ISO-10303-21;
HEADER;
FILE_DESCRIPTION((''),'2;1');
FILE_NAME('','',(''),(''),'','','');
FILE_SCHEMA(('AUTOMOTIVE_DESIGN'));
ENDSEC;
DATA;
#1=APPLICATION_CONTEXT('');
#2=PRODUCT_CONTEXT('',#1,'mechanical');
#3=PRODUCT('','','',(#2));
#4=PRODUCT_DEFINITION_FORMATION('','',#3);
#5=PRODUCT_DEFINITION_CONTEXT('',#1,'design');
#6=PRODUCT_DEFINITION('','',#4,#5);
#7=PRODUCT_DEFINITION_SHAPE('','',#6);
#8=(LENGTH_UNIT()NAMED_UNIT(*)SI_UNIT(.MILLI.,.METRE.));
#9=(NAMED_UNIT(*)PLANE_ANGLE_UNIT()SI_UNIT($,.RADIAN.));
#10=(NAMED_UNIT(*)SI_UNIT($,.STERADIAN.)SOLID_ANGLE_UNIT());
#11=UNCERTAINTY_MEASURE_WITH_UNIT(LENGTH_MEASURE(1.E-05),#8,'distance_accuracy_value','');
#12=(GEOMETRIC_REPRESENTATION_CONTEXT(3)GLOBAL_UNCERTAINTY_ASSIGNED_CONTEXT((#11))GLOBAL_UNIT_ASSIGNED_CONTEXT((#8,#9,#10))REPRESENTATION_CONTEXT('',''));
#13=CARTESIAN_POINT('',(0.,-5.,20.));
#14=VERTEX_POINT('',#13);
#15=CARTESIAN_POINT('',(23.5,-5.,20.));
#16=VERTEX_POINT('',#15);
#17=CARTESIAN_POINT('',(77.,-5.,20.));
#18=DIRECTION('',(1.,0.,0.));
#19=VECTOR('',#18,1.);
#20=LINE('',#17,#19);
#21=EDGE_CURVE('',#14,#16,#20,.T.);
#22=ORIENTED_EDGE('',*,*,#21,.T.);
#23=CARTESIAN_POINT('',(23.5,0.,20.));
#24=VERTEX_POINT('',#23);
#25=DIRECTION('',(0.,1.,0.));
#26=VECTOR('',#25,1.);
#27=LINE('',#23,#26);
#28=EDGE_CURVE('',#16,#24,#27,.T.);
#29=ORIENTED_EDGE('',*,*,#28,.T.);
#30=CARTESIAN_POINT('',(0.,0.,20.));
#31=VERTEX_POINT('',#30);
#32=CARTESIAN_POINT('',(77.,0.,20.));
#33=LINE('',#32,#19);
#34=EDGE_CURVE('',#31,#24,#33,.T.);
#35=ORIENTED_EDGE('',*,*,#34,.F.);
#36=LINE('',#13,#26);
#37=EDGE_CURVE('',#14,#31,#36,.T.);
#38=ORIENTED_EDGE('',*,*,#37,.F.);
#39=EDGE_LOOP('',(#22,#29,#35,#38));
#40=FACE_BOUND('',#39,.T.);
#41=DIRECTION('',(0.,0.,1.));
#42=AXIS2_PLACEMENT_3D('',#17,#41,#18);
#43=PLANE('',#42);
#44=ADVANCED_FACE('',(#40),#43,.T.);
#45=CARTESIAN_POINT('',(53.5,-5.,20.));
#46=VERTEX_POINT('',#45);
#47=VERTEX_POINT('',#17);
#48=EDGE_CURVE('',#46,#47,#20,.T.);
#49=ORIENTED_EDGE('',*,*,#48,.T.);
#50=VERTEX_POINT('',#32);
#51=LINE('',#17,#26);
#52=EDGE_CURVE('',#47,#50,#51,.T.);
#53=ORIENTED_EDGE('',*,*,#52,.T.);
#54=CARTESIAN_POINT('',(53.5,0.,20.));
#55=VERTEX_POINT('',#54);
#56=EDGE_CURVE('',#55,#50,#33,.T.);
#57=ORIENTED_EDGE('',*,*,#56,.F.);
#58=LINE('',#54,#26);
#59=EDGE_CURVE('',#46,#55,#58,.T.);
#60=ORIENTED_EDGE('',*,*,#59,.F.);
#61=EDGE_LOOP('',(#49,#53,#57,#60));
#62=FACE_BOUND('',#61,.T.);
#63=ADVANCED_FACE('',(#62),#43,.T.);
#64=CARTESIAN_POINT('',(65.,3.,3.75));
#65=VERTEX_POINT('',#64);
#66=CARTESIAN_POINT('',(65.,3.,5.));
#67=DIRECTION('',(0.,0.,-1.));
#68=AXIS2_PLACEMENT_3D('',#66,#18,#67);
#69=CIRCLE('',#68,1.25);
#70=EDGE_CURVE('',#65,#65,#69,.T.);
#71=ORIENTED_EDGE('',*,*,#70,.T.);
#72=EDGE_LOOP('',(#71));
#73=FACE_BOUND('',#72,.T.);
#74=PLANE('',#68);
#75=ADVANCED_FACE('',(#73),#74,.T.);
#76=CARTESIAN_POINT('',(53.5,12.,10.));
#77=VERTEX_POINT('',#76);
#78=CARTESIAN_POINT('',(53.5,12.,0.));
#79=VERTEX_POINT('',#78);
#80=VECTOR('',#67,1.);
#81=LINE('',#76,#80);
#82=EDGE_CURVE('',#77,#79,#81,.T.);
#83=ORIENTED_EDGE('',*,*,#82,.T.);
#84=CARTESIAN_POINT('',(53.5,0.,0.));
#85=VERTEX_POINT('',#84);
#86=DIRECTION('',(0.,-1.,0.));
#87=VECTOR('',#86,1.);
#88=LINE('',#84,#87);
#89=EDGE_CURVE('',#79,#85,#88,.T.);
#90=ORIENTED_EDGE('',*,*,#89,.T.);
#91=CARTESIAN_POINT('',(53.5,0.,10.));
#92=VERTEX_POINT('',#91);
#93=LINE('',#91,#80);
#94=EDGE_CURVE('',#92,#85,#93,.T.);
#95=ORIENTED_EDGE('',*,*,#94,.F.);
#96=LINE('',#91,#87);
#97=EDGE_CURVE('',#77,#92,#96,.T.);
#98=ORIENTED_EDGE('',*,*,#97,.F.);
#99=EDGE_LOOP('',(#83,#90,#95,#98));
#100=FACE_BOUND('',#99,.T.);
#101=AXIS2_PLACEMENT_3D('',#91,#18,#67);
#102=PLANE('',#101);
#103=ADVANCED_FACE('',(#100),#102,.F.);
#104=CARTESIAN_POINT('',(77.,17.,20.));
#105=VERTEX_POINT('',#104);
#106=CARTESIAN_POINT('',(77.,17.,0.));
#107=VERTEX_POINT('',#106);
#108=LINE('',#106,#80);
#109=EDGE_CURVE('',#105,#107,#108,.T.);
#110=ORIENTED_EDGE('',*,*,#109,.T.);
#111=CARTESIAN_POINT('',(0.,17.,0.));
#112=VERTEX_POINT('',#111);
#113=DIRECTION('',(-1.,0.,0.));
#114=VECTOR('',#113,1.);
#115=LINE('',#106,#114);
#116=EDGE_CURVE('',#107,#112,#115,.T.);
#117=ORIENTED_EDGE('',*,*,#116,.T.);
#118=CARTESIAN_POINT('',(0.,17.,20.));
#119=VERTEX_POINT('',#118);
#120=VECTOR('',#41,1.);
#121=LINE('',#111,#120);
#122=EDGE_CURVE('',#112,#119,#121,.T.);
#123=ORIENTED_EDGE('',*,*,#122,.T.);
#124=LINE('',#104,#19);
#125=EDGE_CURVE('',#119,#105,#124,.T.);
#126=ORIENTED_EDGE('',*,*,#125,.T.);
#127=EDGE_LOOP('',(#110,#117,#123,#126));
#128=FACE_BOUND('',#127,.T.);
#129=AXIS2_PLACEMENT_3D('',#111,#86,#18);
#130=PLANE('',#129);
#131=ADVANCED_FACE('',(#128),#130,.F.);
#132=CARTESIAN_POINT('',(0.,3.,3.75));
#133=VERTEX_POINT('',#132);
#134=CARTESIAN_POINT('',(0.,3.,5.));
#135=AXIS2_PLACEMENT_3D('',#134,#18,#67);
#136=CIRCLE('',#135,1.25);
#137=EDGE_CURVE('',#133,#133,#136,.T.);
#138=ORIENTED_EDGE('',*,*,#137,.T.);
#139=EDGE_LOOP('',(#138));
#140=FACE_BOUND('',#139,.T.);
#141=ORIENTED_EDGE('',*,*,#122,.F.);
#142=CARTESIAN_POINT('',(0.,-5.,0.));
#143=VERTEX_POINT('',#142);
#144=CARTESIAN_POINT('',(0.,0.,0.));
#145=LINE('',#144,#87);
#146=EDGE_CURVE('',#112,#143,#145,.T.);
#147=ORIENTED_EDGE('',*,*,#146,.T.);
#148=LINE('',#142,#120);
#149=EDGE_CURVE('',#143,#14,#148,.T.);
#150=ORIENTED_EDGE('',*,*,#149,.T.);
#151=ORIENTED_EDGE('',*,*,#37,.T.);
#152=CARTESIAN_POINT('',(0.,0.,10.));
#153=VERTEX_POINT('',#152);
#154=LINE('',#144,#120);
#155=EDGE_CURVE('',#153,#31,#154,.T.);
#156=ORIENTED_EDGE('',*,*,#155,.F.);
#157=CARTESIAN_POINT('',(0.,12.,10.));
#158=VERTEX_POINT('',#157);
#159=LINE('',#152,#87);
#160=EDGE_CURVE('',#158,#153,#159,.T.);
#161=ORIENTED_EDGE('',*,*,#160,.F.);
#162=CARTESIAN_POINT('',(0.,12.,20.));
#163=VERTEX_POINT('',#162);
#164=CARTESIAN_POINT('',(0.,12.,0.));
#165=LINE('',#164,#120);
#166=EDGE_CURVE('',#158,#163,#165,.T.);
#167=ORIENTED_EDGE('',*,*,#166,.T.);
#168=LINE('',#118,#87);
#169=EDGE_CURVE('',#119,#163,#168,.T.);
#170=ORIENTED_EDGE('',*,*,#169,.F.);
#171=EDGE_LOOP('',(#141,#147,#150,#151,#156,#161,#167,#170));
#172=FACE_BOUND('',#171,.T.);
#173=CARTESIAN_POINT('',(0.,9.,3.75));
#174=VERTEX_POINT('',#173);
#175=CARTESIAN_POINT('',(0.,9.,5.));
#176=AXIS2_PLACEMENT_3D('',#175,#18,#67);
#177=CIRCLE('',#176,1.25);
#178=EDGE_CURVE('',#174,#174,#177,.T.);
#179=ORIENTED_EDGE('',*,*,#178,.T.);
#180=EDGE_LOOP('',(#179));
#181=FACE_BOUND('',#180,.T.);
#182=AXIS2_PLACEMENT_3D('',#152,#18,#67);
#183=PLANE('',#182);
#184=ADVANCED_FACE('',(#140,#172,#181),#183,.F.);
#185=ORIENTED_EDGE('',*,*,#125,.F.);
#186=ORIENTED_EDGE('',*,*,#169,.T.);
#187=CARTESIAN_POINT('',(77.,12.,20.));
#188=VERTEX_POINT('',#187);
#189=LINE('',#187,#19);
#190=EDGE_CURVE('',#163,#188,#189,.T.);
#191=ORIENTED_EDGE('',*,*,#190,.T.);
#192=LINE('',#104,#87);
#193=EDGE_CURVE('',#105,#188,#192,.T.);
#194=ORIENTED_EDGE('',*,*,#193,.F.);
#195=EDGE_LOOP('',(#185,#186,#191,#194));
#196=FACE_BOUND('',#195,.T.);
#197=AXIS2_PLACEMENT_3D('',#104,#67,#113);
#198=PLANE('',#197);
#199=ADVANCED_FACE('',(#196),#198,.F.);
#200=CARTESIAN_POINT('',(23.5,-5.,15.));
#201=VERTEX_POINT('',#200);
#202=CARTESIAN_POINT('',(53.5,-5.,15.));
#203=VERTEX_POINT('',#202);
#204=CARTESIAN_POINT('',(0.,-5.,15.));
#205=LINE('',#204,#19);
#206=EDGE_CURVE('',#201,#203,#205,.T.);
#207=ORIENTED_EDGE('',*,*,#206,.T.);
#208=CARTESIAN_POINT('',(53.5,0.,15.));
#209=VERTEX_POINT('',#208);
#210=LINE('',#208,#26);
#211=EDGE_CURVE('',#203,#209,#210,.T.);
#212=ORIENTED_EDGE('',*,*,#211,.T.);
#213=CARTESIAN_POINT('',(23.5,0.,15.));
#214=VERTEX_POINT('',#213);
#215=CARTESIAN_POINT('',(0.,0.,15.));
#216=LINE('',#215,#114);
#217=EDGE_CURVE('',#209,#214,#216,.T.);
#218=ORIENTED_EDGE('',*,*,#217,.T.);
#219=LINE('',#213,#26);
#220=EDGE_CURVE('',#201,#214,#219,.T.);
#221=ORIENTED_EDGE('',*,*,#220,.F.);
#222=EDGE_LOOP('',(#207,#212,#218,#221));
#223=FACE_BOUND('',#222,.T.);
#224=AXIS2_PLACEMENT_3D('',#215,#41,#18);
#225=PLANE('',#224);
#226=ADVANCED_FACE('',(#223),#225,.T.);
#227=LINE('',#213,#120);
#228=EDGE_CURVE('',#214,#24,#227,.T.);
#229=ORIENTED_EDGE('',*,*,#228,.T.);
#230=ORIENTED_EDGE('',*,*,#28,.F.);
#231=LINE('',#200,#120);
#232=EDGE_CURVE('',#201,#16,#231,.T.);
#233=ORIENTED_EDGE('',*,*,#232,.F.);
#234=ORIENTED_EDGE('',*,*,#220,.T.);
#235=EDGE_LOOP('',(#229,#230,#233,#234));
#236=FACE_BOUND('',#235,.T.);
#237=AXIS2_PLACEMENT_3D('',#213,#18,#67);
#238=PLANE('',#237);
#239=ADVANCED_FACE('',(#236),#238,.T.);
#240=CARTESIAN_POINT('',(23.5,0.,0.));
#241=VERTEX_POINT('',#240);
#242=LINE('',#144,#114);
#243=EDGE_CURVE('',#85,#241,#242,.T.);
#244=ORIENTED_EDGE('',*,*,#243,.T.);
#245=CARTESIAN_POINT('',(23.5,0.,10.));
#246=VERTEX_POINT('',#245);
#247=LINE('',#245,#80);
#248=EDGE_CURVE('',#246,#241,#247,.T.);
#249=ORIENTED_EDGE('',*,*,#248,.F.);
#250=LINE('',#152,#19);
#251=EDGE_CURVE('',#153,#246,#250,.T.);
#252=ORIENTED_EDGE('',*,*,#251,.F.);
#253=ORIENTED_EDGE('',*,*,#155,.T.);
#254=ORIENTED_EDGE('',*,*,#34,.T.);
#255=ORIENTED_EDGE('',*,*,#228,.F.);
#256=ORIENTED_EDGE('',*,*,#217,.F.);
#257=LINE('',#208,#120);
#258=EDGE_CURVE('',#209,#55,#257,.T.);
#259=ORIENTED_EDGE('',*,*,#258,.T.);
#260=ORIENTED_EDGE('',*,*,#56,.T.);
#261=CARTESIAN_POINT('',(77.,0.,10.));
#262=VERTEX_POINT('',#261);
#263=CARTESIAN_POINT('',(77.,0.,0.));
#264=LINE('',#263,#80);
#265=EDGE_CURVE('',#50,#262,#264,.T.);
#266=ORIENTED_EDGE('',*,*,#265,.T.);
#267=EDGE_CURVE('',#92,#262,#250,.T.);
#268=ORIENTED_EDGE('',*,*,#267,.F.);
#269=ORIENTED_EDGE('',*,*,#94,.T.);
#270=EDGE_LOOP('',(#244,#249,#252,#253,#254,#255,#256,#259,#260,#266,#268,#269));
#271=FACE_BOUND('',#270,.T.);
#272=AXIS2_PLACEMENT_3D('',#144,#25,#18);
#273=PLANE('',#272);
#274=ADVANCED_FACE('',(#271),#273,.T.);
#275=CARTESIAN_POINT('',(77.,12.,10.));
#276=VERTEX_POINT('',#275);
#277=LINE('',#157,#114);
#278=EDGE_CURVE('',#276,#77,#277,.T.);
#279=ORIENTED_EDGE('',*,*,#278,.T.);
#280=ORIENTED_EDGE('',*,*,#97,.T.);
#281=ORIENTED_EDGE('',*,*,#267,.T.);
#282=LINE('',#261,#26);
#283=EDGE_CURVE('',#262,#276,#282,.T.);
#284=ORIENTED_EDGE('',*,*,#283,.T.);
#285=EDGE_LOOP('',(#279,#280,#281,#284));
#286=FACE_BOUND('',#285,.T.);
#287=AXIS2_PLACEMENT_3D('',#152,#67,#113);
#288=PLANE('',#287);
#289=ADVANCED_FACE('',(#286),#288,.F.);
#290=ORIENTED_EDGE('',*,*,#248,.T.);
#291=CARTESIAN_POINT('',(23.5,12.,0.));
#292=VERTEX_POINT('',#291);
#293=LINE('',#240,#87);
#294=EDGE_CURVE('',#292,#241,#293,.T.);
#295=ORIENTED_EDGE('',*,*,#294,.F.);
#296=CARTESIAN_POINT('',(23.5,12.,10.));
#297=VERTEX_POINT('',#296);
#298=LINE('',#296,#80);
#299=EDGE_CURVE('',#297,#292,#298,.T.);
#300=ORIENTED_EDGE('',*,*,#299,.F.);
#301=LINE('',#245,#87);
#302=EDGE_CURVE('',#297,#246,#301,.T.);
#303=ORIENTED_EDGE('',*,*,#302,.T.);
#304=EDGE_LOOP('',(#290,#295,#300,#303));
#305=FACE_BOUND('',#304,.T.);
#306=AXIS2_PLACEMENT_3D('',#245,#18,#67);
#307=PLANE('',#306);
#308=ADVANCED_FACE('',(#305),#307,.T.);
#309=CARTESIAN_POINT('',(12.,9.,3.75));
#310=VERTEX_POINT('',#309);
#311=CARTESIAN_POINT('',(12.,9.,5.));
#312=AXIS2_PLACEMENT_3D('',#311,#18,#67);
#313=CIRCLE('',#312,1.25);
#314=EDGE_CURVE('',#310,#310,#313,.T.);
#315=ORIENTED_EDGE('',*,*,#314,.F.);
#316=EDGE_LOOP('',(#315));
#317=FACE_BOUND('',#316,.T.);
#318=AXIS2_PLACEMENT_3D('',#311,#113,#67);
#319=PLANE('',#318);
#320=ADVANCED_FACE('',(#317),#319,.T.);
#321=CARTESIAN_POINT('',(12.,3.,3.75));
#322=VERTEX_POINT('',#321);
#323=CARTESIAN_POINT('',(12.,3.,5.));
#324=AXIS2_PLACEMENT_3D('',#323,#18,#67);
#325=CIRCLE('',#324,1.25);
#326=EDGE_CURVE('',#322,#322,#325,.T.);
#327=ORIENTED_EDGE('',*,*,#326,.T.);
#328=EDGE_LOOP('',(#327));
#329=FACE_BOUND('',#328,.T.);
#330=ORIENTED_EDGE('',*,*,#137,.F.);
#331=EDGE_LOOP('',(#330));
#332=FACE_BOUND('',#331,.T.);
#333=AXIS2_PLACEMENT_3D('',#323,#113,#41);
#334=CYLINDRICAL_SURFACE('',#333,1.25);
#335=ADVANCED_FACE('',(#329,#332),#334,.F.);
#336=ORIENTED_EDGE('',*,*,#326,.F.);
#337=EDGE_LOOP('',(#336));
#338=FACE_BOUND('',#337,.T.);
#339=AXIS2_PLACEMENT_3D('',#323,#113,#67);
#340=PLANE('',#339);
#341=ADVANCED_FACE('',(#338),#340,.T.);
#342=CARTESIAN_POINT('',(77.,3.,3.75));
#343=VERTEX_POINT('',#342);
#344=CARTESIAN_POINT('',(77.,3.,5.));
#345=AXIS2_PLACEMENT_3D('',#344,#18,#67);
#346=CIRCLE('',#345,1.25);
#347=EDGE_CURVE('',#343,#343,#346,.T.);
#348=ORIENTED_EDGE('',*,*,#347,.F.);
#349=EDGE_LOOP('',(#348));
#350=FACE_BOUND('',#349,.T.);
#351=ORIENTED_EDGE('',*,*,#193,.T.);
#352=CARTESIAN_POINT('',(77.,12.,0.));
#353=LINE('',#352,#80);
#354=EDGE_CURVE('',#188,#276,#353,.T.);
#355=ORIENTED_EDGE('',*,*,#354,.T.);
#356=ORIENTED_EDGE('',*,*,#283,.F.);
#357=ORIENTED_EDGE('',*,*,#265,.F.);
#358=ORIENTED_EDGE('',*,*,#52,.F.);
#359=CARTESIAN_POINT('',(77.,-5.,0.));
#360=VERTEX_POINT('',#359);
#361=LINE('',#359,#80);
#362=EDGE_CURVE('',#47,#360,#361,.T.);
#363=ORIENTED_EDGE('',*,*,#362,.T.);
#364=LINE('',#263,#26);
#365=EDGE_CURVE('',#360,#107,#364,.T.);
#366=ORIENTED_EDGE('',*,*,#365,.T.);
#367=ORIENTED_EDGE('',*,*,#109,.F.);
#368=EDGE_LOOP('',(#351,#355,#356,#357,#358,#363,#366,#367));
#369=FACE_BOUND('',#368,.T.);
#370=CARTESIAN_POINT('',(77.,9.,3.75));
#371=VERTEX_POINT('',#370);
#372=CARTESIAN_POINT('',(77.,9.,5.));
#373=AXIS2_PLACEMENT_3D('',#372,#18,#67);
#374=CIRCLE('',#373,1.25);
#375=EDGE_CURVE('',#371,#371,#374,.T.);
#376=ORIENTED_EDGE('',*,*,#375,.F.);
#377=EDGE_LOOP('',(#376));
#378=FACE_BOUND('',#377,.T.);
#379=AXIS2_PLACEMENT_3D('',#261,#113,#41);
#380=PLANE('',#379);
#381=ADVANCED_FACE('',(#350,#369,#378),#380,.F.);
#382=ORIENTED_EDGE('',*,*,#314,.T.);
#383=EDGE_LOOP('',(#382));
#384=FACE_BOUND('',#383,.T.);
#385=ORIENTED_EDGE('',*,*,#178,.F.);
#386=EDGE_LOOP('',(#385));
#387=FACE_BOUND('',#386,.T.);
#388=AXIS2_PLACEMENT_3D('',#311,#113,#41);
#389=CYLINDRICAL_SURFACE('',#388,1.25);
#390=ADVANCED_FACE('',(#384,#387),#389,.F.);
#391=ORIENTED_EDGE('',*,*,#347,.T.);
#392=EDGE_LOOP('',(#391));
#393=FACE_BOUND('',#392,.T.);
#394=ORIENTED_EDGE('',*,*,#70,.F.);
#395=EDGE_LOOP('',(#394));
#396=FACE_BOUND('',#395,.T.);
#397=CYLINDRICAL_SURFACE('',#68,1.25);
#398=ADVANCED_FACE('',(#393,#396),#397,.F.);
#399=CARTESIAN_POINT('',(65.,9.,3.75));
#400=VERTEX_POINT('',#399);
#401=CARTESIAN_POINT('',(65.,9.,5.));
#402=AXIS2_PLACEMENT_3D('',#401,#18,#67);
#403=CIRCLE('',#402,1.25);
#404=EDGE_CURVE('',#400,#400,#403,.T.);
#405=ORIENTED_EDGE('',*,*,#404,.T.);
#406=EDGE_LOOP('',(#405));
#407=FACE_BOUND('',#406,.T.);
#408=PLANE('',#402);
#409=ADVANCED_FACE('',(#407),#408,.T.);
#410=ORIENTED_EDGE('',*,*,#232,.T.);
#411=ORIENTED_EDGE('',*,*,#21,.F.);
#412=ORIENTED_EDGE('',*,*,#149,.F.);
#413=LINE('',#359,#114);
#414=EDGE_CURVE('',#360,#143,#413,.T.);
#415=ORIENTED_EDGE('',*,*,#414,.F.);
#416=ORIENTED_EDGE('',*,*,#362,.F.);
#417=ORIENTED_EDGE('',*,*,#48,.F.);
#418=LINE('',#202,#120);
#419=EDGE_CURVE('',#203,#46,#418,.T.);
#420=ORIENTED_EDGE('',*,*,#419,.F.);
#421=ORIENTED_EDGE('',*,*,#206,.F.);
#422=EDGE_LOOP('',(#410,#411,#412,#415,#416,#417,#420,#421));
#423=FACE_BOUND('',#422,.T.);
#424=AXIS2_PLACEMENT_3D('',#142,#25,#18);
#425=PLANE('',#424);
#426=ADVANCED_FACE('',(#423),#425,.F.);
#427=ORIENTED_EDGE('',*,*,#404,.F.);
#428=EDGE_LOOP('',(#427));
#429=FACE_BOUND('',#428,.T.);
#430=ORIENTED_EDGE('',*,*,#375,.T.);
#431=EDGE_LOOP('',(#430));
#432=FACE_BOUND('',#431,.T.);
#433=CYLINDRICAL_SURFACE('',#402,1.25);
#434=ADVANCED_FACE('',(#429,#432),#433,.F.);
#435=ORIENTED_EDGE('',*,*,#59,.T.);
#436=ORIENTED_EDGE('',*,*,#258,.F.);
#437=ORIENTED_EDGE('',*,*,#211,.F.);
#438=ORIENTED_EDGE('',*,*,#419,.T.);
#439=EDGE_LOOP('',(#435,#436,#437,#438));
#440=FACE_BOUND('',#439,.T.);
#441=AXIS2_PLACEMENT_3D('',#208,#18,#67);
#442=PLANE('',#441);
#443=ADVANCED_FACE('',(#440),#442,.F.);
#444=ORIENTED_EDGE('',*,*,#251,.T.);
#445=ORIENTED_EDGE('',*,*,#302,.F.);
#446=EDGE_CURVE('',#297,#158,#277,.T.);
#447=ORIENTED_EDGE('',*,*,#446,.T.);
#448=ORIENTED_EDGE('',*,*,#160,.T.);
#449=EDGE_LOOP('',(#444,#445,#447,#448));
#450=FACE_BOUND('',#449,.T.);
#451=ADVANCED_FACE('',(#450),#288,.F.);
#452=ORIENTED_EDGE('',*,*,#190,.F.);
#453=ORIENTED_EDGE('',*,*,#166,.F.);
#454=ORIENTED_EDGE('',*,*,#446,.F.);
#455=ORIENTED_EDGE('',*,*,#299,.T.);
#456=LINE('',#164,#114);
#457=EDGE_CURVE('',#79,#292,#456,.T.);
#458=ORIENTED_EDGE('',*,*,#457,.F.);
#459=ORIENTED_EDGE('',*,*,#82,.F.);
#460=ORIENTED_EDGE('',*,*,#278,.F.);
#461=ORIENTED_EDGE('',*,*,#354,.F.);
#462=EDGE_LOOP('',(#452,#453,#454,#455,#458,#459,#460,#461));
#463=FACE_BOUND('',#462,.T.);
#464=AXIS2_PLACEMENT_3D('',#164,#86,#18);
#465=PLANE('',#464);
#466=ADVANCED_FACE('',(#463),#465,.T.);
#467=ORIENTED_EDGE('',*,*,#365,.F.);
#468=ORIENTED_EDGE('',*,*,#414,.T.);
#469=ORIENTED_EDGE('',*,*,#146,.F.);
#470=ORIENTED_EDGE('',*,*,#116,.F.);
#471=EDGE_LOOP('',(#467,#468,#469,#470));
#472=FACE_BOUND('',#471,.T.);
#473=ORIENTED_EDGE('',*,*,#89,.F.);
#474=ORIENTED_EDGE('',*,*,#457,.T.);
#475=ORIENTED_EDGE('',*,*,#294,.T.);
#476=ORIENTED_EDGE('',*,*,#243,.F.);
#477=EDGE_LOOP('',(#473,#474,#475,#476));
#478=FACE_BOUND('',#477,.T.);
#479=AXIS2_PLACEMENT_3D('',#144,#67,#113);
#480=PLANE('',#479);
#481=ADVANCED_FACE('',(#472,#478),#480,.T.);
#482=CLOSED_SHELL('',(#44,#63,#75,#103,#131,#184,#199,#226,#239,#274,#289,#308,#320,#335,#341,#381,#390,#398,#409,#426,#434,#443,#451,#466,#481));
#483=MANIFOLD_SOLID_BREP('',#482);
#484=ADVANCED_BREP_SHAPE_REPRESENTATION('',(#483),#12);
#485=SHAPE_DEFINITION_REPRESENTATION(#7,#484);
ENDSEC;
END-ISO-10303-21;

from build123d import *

# Parameters (mm, degrees)
SKETCH1_W           = 77
SKETCH1_H           = 12
BOSS_EXTRUDE1_DEPTH = 10
SKETCH2_R           = 1.25
CUT_EXTRUDE1_DEPTH  = 12
SKETCH3_W           = 77
SKETCH3_H           = 20
BOSS_EXTRUDE2_DEPTH = 5
SKETCH4_W           = 30
SKETCH4_H           = 6
CUT_EXTRUDE2_DEPTH  = 10
SKETCH5_W           = 30
SKETCH5_H           = 2.5
CUT_EXTRUDE3_DEPTH  = 5


with BuildPart() as part:
    # Sketch1 → Boss-Extrude1 (new body)
    with BuildSketch(Plane.XY):
        with Locations((38.5, 6)):
            Rectangle(SKETCH1_W, SKETCH1_H)
    extrude(amount=BOSS_EXTRUDE1_DEPTH)

    # Sketch2 → Cut-Extrude1 (cut)
    with BuildSketch(Plane(origin=(77, 0, 0), x_dir=(0, 0, -1), z_dir=(1, 0, 0))):
        with Locations((-5, 3)):
            Circle(SKETCH2_R)
        with Locations((-5, 9)):
            Circle(SKETCH2_R)
    cut_extrude1 = extrude(amount=-CUT_EXTRUDE1_DEPTH, mode=Mode.SUBTRACT)

    # Mirror1: Cut-Extrude1 across plane
    add(cut_extrude1.mirror(Plane.ZY.offset(-38.5)), mode=Mode.SUBTRACT)

    # Sketch3 → Boss-Extrude2 (add)
    with BuildSketch(Plane(origin=(0, 12, 0), x_dir=(1, 0, 0), z_dir=(0, 1, 0))):
        with Locations((38.5, -10)):
            Rectangle(SKETCH3_W, SKETCH3_H)
    boss_extrude2 = extrude(amount=BOSS_EXTRUDE2_DEPTH)

    # Mirror2: Boss-Extrude2 across plane
    add(boss_extrude2.mirror(Plane(origin=(0, 6, 0), x_dir=(0, 0, 1), z_dir=(0, -1, 0))))

    # Sketch4 → Cut-Extrude2 (cut)
    with BuildSketch(Plane(origin=(0, 0, 0), x_dir=(-1, 0, 0), z_dir=(0, 0, -1))):
        with Locations((-38.5, 9)):
            Rectangle(SKETCH4_W, SKETCH4_H)
        with Locations((-38.5, 3)):
            Rectangle(SKETCH4_W, SKETCH4_H)
    extrude(amount=-CUT_EXTRUDE2_DEPTH, mode=Mode.SUBTRACT)

    # Sketch5 → Cut-Extrude3 (cut)
    with BuildSketch(Plane.XY.offset(20)):
        with Locations((38.5, -1.25)):
            Rectangle(SKETCH5_W, SKETCH5_H)
        with Locations((38.5, -3.75)):
            Rectangle(SKETCH5_W, SKETCH5_H)
    extrude(amount=-CUT_EXTRUDE3_DEPTH, mode=Mode.SUBTRACT)


solid = part.part
